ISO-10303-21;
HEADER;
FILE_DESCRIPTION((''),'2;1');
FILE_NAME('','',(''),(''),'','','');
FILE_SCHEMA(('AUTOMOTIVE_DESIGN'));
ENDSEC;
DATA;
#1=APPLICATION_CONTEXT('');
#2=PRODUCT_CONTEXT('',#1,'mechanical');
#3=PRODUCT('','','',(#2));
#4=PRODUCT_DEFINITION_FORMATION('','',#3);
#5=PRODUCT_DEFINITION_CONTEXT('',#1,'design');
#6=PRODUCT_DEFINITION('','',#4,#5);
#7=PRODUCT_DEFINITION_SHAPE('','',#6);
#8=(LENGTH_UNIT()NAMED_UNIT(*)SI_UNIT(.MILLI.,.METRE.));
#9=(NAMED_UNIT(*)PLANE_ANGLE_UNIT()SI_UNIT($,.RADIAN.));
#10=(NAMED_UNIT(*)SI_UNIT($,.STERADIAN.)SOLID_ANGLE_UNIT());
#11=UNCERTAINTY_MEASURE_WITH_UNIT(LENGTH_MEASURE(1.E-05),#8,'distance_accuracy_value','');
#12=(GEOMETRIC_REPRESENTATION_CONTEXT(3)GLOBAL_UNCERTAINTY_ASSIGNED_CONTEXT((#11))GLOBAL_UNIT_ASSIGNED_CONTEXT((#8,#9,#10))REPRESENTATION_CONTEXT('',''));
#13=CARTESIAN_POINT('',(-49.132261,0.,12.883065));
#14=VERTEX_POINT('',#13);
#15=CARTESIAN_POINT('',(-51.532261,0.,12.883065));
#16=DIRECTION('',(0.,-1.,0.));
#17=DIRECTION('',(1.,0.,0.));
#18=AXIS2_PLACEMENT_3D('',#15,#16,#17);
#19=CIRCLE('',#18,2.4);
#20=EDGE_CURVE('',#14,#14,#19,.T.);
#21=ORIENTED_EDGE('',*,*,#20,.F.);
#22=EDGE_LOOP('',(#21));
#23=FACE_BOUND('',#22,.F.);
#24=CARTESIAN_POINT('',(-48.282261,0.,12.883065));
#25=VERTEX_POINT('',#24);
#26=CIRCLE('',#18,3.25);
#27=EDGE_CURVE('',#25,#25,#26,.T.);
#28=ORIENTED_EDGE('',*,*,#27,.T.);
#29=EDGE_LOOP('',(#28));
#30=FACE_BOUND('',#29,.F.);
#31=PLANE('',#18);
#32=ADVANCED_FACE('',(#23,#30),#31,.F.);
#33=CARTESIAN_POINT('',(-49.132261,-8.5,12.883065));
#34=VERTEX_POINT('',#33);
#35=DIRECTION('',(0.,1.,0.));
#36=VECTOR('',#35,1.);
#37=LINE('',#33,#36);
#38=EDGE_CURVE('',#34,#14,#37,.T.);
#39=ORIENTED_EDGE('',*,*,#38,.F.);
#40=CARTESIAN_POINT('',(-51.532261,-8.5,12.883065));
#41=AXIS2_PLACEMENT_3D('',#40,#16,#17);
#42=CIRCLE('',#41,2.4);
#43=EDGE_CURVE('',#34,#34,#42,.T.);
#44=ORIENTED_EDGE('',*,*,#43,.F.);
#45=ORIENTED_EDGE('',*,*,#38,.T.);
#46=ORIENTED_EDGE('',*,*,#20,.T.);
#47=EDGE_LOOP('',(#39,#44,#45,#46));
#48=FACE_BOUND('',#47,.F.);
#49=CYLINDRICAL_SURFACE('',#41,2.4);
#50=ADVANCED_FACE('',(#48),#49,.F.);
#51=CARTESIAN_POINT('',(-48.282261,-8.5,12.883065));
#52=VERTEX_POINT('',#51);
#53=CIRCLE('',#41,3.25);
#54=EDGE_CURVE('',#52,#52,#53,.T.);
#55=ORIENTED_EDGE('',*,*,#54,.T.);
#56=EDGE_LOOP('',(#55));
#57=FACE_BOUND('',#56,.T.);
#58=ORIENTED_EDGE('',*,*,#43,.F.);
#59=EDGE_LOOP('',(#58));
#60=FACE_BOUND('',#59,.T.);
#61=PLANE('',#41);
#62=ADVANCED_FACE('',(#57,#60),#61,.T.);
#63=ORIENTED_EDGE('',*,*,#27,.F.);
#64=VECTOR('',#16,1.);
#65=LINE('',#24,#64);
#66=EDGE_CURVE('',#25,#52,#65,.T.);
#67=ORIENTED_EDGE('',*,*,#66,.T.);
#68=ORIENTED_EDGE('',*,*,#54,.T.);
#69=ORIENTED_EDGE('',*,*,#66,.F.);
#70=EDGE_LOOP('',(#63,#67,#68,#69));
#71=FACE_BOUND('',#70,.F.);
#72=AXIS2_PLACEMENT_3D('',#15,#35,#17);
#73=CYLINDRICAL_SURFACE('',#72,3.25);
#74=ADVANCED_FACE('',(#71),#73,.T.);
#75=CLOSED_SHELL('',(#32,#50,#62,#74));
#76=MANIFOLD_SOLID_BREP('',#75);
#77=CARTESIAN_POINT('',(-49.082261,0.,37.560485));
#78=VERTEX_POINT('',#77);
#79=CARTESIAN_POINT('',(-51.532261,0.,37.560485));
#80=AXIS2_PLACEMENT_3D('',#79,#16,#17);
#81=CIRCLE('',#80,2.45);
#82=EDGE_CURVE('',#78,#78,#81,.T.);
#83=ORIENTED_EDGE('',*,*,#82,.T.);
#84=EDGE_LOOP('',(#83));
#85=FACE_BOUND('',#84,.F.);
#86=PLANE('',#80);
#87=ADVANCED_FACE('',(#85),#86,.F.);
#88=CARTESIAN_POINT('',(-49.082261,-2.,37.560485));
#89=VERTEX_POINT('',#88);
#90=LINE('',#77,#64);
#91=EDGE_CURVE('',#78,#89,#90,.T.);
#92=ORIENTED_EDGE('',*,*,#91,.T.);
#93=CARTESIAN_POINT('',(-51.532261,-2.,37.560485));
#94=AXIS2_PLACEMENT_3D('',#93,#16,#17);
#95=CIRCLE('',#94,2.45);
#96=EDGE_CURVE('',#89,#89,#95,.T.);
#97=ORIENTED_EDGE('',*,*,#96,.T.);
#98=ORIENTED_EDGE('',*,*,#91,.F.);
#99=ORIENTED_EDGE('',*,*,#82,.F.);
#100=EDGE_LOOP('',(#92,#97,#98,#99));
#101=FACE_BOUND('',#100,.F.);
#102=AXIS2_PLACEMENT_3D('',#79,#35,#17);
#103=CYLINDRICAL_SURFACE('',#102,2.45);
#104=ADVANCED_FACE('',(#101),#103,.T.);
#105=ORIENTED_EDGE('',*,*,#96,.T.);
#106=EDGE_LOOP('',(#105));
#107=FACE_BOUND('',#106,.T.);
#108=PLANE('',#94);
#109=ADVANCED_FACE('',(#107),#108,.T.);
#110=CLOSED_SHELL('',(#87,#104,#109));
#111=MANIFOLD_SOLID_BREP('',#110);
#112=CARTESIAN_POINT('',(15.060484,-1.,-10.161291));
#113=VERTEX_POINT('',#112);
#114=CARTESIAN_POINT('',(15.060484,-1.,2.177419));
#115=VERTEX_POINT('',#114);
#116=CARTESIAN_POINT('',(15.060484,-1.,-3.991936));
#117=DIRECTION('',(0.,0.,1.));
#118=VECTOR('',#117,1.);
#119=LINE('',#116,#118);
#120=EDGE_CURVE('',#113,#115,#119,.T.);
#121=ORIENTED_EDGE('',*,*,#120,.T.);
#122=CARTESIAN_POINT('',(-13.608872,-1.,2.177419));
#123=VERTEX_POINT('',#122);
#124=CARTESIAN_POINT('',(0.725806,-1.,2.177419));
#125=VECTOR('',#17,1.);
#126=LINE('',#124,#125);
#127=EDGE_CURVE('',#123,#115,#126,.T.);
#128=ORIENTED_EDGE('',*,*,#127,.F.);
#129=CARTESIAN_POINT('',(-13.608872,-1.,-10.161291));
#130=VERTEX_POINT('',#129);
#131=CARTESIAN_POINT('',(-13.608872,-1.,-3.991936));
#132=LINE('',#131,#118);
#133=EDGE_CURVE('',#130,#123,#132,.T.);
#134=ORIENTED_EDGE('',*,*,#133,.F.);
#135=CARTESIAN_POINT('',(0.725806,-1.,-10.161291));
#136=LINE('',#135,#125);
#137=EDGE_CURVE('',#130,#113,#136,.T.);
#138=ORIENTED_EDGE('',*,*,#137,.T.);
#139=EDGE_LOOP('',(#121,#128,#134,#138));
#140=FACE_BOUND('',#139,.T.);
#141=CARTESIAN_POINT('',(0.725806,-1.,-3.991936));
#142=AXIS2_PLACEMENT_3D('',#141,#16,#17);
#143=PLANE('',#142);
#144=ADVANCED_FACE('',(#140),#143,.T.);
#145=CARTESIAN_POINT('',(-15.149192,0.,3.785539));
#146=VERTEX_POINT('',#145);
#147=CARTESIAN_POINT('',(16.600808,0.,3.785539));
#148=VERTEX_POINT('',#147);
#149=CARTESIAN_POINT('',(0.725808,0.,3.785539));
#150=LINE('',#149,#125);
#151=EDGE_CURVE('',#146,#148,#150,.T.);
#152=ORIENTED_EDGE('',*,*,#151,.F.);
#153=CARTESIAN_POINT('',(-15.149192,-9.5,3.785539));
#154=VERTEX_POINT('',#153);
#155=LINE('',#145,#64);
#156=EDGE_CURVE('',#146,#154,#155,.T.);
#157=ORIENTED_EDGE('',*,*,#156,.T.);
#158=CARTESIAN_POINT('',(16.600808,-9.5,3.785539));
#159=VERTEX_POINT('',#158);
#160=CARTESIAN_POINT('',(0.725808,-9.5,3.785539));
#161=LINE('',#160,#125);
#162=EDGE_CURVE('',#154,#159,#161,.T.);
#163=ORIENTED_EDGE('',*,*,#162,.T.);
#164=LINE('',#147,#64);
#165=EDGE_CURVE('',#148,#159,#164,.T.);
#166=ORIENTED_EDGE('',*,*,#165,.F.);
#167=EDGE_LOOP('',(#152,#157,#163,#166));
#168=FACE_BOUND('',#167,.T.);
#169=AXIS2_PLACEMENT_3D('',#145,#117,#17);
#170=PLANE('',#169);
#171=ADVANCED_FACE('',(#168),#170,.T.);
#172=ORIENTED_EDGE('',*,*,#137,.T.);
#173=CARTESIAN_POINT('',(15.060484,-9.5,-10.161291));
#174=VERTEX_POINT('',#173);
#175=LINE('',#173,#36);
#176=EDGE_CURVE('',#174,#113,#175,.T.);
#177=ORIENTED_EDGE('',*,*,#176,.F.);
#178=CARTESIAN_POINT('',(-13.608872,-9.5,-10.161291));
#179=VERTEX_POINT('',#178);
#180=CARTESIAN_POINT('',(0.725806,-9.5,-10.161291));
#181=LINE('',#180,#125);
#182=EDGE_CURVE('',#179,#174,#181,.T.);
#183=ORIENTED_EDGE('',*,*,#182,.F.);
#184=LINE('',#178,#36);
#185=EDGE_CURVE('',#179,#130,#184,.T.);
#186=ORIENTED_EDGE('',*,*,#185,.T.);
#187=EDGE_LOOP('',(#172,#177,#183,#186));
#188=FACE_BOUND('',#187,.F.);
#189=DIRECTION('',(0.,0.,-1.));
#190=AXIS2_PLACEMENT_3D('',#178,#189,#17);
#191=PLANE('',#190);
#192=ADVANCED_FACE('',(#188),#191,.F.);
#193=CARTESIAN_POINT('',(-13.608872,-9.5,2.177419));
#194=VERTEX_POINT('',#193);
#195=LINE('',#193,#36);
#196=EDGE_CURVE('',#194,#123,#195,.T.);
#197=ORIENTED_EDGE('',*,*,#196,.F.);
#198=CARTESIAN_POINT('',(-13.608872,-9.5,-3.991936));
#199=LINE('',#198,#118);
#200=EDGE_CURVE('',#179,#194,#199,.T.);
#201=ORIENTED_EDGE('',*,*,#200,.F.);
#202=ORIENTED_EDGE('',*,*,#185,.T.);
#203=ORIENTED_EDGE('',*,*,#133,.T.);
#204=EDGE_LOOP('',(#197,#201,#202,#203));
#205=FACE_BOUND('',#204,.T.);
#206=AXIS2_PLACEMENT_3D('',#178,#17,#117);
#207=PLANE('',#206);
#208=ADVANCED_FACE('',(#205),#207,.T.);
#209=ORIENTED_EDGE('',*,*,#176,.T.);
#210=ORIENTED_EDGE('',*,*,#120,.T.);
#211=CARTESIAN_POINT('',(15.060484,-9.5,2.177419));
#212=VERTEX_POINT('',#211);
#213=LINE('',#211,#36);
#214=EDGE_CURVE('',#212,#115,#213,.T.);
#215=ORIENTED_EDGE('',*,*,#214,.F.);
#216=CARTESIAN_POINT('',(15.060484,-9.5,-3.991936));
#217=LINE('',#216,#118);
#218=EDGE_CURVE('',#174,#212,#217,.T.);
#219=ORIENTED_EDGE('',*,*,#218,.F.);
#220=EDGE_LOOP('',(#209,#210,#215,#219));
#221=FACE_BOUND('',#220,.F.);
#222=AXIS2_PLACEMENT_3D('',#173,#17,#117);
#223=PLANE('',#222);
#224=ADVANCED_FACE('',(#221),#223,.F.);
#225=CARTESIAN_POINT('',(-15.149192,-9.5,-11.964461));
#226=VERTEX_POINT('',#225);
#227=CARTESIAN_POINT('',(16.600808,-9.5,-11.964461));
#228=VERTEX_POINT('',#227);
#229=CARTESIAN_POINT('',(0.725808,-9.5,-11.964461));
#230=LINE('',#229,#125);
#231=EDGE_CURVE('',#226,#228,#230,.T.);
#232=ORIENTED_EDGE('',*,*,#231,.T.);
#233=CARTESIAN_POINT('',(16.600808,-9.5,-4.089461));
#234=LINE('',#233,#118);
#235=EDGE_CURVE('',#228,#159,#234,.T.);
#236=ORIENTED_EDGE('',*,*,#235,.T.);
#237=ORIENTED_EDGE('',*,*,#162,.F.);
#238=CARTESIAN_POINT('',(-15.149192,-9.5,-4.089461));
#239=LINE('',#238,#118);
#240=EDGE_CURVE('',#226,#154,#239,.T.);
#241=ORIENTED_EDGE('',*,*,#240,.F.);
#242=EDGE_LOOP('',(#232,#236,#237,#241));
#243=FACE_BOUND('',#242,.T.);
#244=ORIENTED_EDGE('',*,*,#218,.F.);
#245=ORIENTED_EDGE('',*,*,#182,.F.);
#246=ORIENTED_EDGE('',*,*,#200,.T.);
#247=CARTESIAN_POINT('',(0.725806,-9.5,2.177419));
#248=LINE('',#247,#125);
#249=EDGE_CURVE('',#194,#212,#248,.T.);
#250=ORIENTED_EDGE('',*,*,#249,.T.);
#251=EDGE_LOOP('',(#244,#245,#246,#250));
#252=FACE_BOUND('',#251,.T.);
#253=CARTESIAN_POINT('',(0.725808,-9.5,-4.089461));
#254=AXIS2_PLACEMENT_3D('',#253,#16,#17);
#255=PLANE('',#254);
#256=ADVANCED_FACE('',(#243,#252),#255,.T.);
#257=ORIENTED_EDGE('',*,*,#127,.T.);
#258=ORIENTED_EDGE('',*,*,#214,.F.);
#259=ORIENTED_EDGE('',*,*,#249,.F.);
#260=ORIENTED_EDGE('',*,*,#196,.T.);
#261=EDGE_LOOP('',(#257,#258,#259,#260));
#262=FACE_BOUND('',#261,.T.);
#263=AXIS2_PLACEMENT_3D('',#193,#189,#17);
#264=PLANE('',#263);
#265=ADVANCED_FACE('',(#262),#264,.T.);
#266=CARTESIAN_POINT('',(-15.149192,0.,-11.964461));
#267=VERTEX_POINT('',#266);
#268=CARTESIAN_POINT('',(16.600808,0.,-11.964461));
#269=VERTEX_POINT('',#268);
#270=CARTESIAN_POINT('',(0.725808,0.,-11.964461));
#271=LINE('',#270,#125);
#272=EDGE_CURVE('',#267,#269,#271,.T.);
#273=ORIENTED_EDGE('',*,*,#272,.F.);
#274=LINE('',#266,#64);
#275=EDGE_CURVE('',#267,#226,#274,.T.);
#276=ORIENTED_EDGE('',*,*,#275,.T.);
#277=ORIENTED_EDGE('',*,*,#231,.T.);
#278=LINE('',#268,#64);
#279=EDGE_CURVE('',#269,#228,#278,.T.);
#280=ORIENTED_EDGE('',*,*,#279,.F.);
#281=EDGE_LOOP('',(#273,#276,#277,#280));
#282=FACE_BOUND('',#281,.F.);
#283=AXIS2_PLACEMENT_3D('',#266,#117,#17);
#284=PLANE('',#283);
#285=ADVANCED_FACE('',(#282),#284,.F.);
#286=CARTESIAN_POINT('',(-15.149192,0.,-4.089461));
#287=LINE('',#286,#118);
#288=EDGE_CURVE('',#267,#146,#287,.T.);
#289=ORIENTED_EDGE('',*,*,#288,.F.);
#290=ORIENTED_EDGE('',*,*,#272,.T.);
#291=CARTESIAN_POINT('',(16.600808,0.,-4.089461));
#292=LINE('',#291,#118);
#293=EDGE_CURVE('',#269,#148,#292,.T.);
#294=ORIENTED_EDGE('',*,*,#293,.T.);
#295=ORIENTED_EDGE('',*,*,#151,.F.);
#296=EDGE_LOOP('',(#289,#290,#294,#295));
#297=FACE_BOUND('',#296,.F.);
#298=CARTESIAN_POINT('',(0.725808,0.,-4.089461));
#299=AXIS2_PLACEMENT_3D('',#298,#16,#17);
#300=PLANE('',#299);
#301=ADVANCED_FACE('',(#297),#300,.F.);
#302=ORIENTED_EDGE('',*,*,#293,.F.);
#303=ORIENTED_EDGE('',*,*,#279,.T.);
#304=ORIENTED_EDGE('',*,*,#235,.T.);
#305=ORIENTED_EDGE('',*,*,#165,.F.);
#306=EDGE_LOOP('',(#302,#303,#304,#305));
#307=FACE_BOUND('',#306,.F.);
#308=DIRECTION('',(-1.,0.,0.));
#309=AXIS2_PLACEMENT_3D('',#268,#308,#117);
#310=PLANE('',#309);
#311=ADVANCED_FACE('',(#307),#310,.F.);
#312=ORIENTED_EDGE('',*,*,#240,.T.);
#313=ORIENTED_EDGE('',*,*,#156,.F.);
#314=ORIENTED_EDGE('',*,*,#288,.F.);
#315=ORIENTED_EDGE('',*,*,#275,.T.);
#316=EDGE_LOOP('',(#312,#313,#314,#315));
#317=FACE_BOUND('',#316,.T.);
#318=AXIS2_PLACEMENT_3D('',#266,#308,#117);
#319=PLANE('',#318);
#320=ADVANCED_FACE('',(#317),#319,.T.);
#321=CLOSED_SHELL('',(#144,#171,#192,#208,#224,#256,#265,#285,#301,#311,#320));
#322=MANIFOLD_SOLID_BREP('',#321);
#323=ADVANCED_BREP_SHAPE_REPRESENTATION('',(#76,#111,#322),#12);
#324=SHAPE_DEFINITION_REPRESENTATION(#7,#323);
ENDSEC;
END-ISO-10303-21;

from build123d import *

# Parameters (mm, degrees)
F0_W     = 31.75
F0_H     = 15.75
F1_DEPTH = 9.5
F2_R     = 2.45
F3_DEPTH = 2
F4_W     = 28.669356
F4_H     = 12.33871
F5_DEPTH = 8.5
F6_R     = 3.25
F7_DEPTH = 8.5
F8_R     = 2.4
F9_DEPTH = 8.5


with BuildPart() as f1:
    # F0 (on Front) → F1 (new body)
    with BuildSketch(Plane.XZ):
        with Locations((0.725808, -4.089461)):
            Rectangle(F0_W, F0_H)
    extrude(amount=F1_DEPTH)

    # F4 (on face) → F5 (cut)
    with BuildSketch(Plane.XZ.offset(9.5)):
        with Locations((0.725806, -3.991936)):
            Rectangle(F4_W, F4_H)
    extrude(amount=-F5_DEPTH, mode=Mode.SUBTRACT)


with BuildPart() as f3:
    # F2 (on Front) → F3 (new body)
    with BuildSketch(Plane.XZ):
        with Locations((-51.532261, 37.560485)):
            Circle(F2_R)
    extrude(amount=F3_DEPTH)


with BuildPart() as f7:
    # F6 (on Front) → F7 (new body)
    with BuildSketch(Plane.XZ):
        with Locations((-51.532261, 12.883065)):
            Circle(F6_R)
    extrude(amount=F7_DEPTH)

    # F8 (on face) → F9 (cut)
    with BuildSketch(Plane.XZ.offset(8.5)):
        with Locations((-51.532261, 12.883065)):
            Circle(F8_R)
    extrude(amount=-F9_DEPTH, mode=Mode.SUBTRACT)


solid = Compound([f1.part, f3.part, f7.part])
